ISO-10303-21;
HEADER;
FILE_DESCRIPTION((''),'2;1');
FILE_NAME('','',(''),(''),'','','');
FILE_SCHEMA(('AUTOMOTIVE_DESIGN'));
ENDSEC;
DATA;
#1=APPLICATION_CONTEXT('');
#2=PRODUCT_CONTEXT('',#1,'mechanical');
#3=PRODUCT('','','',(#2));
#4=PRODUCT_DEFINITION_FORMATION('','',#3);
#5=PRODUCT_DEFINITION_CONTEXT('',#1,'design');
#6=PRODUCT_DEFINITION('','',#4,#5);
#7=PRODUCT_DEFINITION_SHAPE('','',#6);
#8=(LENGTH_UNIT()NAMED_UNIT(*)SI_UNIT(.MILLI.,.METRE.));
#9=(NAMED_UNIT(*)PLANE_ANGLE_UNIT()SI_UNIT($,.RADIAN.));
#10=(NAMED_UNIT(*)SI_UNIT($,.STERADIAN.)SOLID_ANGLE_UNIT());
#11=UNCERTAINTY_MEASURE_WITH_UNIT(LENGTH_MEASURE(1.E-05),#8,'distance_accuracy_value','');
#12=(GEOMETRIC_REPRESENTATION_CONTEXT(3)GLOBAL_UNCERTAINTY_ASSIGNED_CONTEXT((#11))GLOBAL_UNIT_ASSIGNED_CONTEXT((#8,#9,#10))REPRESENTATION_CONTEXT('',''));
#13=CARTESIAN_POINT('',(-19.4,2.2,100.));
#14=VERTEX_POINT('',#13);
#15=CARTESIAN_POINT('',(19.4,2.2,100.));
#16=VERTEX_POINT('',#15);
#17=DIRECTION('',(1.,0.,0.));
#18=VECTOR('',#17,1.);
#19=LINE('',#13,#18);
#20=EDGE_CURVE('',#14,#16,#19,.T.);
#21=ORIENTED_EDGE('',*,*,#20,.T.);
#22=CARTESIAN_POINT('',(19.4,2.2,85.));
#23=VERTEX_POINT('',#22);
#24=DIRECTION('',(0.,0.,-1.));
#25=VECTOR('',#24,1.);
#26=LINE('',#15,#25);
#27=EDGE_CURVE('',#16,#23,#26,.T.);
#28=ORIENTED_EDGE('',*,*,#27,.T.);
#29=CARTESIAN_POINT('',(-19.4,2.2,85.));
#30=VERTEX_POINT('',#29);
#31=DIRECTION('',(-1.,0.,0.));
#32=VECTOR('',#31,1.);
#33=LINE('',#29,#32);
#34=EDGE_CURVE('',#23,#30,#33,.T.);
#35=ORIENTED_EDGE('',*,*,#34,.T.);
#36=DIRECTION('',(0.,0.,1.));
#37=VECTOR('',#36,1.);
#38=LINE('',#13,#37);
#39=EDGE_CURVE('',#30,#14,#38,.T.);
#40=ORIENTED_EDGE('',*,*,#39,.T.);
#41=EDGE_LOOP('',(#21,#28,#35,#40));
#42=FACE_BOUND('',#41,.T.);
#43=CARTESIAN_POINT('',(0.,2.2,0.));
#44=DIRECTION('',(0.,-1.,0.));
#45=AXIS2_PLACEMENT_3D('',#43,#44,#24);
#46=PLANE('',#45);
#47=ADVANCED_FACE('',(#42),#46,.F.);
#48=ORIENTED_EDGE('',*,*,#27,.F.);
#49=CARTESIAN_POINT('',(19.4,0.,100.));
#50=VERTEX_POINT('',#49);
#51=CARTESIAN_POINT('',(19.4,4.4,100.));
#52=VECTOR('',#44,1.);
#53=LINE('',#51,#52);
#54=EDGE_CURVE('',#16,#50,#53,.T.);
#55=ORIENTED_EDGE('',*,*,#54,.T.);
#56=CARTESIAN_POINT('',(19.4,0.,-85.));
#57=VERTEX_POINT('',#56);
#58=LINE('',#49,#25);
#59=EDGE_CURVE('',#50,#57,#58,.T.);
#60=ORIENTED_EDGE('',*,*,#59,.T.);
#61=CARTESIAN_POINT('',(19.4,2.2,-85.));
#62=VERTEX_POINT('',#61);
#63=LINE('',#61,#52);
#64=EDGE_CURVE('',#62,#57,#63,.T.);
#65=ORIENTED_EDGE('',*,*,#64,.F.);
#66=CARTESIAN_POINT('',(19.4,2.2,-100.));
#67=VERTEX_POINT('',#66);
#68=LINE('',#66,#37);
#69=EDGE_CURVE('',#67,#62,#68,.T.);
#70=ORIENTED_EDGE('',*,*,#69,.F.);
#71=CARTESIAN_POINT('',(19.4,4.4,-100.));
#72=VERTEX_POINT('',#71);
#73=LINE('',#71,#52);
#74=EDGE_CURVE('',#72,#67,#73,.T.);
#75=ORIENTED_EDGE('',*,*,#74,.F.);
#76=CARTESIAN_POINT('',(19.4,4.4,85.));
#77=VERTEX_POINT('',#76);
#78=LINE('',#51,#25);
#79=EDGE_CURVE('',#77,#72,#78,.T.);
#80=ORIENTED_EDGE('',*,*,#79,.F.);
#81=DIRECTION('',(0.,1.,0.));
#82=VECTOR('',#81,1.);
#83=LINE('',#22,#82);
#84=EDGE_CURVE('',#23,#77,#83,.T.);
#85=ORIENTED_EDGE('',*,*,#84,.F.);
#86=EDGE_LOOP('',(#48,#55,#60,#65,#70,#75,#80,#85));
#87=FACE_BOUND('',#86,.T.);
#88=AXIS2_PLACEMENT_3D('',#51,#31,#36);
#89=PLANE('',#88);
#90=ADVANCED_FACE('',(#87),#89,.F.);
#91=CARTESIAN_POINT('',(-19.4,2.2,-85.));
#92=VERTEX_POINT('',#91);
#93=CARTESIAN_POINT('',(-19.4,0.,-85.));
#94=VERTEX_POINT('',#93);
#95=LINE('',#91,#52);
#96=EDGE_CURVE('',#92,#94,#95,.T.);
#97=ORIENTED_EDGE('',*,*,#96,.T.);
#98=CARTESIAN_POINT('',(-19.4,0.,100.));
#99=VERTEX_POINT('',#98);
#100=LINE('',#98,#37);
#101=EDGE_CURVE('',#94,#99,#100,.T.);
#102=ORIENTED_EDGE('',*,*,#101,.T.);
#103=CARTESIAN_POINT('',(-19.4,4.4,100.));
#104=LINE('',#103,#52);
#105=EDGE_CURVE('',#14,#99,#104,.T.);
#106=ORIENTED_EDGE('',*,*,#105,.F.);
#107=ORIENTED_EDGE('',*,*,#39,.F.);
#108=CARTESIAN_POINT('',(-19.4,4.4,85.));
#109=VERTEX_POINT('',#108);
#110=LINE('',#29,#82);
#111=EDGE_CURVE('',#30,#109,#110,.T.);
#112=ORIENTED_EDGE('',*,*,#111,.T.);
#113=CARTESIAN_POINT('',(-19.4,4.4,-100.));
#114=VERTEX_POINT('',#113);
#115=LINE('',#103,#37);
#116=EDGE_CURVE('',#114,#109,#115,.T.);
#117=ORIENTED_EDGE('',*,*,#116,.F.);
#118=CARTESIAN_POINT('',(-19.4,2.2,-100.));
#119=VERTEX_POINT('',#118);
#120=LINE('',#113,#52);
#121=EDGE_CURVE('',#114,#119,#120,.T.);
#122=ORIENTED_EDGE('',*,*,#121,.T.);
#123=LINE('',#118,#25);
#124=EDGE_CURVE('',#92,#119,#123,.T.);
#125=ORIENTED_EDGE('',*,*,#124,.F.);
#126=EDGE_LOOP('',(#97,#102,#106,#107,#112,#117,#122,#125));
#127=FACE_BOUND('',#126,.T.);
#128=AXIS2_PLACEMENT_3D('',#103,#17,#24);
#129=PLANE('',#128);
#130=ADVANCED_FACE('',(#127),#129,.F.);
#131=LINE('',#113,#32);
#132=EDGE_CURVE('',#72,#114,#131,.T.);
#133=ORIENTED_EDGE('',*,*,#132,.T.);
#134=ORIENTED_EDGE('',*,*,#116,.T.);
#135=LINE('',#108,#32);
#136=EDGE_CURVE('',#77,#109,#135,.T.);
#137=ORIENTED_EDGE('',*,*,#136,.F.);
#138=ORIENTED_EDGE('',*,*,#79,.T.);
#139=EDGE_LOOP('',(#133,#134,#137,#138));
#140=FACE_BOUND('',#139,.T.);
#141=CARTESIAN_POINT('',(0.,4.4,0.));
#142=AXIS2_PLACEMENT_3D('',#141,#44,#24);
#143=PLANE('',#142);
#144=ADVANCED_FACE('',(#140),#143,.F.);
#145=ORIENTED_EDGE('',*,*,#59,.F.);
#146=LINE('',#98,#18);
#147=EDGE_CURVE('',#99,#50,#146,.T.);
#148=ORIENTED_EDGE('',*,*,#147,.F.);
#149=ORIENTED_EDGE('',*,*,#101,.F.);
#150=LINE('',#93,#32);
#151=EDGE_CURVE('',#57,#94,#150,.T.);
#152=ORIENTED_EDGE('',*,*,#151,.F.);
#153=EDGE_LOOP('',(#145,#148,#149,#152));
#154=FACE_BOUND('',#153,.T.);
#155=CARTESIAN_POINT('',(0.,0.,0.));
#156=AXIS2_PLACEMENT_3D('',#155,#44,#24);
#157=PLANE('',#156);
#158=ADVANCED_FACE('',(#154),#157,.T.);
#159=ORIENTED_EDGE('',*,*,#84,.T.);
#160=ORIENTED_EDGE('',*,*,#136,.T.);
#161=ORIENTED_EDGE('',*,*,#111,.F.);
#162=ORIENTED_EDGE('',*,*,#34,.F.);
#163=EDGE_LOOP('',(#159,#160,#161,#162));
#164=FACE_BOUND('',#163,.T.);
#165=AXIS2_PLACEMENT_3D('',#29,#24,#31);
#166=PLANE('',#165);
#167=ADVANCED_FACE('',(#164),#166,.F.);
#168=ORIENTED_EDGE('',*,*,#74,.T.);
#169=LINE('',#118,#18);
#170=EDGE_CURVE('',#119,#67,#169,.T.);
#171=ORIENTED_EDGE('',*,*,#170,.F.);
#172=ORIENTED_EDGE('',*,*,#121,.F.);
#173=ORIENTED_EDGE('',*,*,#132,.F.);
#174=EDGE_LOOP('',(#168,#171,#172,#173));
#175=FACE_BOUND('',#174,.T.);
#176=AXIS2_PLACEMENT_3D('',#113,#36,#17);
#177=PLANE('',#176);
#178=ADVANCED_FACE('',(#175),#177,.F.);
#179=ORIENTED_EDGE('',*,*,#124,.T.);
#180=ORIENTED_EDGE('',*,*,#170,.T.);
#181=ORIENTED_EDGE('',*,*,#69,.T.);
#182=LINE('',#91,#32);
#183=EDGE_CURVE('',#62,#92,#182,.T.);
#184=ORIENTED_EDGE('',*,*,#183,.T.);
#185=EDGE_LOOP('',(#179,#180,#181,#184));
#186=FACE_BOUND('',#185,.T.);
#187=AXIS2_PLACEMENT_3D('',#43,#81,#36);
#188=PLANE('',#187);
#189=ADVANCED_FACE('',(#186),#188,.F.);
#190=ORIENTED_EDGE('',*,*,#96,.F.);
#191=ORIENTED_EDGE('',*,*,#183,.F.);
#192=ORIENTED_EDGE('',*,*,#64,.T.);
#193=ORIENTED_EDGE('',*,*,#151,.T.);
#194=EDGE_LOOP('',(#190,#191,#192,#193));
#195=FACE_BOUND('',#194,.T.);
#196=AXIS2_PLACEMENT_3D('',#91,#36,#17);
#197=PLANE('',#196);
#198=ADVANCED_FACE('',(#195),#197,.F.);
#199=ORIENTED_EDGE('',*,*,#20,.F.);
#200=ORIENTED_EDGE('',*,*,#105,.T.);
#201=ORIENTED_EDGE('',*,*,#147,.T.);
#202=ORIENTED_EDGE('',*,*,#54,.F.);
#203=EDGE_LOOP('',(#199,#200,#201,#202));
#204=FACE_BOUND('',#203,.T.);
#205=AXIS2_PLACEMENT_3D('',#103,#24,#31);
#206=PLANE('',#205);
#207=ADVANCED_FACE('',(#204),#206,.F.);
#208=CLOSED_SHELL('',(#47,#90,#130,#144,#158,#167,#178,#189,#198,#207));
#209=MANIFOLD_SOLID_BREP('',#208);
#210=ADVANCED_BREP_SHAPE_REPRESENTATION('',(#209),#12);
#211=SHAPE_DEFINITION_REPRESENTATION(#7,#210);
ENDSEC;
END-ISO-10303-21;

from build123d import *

# Parameters (mm, degrees)
SKETCH_1_W          = 38.8
SKETCH_1_H          = 200
EXTRUDE_1_DEPTH     = 4.4
SKETCH_2_W          = 38.8
SKETCH_2_H          = 15
CUT_EXTRUDE_1_DEPTH = 2.2
SKETCH_3_W          = 38.8
SKETCH_3_H          = 15
CUT_EXTRUDE_2_DEPTH = 2.2


with BuildPart() as part:
    # 草圖1 → 填料-伸長1 (new body)
    with BuildSketch(Plane(origin=(0, 0, 0), x_dir=(1, 0, 0), z_dir=(0, 1, 0))):
        Rectangle(SKETCH_1_W, SKETCH_1_H)
    extrude(amount=EXTRUDE_1_DEPTH)

    # 草圖2 → 除料-伸長1 (cut)
    with BuildSketch(Plane(origin=(0, 4.4, 0), x_dir=(1, 0, 0), z_dir=(0, 1, 0))):
        with Locations((0, -92.5)):
            Rectangle(SKETCH_2_W, SKETCH_2_H)
    extrude(amount=-CUT_EXTRUDE_1_DEPTH, mode=Mode.SUBTRACT)

    # 草圖3 → 除料-伸長2 (cut)
    with BuildSketch(Plane.XZ):
        with Locations((0, -92.5)):
            Rectangle(SKETCH_3_W, SKETCH_3_H)
    extrude(amount=-CUT_EXTRUDE_2_DEPTH, mode=Mode.SUBTRACT)


solid = part.part
